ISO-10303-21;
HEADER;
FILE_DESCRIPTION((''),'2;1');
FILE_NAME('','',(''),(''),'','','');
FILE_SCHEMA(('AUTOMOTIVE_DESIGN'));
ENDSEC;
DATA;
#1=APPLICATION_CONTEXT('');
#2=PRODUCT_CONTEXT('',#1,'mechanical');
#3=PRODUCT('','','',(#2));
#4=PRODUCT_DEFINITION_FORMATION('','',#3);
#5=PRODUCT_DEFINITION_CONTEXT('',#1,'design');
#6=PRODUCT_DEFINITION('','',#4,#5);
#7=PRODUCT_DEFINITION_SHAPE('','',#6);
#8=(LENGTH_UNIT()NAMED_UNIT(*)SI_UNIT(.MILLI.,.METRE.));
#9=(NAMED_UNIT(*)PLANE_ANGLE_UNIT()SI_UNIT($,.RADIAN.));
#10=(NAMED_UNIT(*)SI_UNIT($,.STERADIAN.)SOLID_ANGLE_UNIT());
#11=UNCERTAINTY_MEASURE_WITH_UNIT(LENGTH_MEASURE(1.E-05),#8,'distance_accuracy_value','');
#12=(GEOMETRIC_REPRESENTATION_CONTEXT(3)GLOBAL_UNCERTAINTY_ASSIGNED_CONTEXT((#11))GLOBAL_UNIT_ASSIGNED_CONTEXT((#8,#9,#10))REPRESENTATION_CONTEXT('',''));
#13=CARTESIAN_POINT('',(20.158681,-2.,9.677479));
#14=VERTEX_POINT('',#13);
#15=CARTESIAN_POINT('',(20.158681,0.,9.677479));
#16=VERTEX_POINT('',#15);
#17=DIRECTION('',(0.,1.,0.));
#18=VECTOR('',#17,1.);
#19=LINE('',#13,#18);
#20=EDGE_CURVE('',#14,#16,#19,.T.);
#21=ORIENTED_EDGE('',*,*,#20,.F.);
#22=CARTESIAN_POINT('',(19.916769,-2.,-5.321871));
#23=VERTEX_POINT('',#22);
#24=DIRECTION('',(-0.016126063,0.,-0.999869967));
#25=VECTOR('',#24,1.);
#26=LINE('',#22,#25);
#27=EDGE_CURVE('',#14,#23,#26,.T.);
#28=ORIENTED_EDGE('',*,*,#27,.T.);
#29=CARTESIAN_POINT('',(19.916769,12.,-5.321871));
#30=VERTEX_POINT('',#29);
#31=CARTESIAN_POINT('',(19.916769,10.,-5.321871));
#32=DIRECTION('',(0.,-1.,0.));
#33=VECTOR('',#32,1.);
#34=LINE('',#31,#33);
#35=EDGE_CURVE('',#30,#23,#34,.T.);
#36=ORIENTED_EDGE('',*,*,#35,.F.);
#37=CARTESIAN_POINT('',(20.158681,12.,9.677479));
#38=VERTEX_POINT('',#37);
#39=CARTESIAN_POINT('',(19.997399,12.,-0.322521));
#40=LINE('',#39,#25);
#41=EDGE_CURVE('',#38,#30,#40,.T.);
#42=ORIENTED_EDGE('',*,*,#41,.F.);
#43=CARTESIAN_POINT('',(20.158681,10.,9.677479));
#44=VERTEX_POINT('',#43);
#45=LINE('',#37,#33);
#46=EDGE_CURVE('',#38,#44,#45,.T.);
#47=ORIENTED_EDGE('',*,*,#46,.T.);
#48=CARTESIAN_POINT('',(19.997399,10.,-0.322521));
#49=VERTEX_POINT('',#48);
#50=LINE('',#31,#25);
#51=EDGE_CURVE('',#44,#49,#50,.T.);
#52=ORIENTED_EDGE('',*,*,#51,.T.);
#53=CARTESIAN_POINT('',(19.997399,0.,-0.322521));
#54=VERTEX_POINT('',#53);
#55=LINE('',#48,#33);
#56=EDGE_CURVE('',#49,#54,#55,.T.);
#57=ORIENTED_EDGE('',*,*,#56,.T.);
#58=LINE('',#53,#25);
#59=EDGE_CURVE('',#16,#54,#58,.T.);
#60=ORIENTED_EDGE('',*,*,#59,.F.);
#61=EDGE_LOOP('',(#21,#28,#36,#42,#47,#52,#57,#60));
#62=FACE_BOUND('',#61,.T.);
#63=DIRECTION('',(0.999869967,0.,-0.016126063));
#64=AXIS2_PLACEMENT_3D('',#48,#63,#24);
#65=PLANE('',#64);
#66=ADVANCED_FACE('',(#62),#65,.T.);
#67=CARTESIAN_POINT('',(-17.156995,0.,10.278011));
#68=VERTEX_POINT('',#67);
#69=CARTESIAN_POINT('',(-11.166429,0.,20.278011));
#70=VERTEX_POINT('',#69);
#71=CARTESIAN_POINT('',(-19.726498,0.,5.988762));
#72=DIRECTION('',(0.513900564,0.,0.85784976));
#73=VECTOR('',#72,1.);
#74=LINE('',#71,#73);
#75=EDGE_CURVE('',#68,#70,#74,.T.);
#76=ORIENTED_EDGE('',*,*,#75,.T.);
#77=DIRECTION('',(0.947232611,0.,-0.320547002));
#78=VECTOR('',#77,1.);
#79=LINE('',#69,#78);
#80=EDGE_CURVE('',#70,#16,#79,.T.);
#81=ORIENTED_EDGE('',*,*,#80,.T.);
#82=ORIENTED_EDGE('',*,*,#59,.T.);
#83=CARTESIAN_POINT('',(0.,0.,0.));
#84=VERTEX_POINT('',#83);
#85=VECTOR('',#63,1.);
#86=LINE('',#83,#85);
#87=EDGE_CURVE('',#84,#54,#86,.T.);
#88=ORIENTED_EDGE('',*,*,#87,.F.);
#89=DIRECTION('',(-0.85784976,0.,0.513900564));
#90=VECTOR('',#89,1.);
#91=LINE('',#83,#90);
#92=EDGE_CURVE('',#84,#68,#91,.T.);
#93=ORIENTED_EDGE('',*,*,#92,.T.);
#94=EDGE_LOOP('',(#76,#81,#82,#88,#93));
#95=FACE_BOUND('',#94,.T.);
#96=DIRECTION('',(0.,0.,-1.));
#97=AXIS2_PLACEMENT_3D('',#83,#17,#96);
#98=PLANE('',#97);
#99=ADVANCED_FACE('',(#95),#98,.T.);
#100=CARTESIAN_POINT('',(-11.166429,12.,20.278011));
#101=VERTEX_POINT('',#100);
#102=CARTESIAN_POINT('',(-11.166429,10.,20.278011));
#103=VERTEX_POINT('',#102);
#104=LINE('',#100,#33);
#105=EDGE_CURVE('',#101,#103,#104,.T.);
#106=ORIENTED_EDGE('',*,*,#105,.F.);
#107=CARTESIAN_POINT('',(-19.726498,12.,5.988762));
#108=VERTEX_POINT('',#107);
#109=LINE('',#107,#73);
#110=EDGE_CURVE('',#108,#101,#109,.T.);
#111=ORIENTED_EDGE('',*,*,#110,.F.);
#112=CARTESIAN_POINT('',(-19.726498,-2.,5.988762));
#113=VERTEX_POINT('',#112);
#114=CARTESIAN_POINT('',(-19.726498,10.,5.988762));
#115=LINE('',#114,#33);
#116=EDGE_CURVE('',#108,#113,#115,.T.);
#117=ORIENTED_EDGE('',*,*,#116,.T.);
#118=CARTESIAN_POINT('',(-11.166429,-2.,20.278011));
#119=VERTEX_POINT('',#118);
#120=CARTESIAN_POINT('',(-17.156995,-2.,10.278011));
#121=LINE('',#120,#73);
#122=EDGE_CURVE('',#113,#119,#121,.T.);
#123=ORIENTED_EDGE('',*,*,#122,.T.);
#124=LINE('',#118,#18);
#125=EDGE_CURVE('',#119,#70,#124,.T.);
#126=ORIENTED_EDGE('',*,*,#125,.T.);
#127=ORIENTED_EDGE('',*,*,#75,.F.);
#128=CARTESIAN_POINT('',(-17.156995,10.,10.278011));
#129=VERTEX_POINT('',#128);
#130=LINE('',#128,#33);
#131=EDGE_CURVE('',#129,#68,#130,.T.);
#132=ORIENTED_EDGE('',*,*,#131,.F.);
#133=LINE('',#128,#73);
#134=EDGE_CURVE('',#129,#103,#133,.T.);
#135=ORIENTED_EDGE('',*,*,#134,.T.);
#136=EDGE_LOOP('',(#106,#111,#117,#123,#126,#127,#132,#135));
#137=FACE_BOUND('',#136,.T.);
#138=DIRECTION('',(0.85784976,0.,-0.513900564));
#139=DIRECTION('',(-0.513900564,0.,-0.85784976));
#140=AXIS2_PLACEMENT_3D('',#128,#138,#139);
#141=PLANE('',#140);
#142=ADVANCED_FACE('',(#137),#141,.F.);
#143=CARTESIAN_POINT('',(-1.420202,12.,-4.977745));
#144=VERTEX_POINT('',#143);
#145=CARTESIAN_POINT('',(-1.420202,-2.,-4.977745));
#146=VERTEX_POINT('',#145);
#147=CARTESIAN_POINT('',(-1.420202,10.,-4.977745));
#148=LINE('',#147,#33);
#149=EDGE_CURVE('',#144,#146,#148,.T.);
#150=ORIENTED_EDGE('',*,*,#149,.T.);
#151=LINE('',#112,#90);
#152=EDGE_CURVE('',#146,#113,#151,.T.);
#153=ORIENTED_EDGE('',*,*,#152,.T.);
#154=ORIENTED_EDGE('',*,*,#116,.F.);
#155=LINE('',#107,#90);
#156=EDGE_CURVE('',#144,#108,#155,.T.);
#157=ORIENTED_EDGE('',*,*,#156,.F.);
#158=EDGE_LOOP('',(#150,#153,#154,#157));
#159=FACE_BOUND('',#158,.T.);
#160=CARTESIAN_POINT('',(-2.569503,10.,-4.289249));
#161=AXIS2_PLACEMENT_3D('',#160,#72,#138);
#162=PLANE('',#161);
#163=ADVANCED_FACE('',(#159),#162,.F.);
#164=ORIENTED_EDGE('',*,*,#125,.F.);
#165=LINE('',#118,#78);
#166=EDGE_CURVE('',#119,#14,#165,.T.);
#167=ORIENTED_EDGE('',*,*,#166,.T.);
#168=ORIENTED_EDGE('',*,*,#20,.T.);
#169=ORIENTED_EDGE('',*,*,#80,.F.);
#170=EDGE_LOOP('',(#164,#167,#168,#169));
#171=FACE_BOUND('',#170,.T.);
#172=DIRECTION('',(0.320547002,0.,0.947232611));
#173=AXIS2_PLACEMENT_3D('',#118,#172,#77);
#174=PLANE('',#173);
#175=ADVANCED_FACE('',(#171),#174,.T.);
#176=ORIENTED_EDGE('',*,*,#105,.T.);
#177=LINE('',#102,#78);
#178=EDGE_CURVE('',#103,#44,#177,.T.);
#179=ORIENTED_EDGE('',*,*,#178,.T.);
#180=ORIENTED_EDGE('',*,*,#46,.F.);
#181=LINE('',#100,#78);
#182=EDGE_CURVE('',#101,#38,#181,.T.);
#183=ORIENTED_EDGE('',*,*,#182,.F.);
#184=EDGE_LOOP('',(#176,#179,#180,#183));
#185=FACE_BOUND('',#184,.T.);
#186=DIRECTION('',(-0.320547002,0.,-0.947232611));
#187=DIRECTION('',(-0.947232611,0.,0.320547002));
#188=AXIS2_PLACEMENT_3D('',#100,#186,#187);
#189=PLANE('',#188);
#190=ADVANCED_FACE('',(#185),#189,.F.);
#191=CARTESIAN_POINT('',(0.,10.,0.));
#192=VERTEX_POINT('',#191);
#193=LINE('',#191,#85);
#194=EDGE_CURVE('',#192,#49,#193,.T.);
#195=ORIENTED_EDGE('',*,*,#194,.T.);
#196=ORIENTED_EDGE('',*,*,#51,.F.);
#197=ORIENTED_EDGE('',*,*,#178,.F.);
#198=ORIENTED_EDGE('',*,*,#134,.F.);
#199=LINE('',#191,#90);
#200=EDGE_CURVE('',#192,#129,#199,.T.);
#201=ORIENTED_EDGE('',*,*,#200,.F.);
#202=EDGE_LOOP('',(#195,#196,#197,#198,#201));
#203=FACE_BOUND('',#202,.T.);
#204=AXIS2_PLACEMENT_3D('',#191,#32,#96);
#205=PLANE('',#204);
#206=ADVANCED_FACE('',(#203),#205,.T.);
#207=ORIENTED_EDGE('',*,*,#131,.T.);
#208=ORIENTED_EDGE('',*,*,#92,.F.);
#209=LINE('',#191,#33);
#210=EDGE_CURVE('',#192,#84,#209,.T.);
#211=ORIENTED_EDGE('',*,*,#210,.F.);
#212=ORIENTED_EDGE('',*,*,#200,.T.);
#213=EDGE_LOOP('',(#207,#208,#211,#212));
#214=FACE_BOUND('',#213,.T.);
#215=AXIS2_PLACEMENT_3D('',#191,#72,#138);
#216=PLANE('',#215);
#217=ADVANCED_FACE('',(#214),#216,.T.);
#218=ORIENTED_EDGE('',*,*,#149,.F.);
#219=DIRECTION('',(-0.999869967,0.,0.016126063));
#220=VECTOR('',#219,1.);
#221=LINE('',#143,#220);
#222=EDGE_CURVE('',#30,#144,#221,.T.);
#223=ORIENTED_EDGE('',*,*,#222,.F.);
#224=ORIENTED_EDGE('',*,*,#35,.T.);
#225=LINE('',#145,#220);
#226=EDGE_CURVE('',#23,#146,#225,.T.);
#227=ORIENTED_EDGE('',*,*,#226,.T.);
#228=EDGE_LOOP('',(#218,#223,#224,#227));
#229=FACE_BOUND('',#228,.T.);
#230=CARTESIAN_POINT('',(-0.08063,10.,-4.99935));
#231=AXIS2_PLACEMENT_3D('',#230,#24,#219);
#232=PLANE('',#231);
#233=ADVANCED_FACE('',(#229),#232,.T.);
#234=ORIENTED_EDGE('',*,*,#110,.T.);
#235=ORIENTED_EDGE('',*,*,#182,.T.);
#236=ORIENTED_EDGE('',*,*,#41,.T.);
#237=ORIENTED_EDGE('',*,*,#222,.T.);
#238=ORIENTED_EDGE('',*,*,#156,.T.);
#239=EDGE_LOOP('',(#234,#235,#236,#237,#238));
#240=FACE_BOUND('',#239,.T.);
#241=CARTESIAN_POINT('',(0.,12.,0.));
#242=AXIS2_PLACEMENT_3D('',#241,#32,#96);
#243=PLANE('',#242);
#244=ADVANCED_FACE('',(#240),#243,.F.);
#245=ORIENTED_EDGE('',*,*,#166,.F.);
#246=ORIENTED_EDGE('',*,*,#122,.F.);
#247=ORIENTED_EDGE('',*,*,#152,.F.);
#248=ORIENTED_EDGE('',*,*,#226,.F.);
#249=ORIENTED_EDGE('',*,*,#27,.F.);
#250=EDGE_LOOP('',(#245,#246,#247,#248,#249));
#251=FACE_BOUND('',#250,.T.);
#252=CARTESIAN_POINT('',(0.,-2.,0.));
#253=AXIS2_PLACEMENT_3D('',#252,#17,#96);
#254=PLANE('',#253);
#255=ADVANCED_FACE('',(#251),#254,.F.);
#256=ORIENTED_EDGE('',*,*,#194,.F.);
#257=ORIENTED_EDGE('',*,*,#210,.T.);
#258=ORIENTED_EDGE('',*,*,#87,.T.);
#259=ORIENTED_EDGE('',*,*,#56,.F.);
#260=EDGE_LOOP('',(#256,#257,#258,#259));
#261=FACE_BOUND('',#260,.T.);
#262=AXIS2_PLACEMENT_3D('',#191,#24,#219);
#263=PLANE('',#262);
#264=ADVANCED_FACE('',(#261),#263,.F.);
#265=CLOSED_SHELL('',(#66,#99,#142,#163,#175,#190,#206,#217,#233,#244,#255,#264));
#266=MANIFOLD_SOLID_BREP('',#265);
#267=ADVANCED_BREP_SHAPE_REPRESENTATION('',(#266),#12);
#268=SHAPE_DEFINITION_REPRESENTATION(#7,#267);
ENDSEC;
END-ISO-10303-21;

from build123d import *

# Parameters (mm, degrees)
BOSS_EXTRUDE1_DEPTH = 10
BOSS_EXTRUDE2_DEPTH = 2


with BuildPart() as part:
    # Sketch3 → Boss-Extrude1 (new body)
    with BuildSketch(Plane(origin=(0, 0, 0), x_dir=(1, 0, 0), z_dir=(0, 1, 0))):
        Polygon((19.916769016, 5.321871098), (19.997399332, 0.322521265), (0, 0), (-17.156995198, -10.278011275), (-19.726498017, -5.988762475), (-1.420202067, 4.977745005), align=None)
    extrude(amount=BOSS_EXTRUDE1_DEPTH)

    # Sketch4 → Boss-Extrude2 (add)
    with BuildSketch(Plane(origin=(0, 10, 0), x_dir=(1, 0, 0), z_dir=(0, 1, 0))):
        Polygon((-19.726498017, -5.988762475), (-17.156995198, -10.278011275), (-11.166429161, -20.278011275), (20.158680936, -9.677478735), (19.997399332, 0.322521265), (19.916769016, 5.321871098), (-1.420202067, 4.977745005), align=None)
    boss_extrude2 = extrude(amount=BOSS_EXTRUDE2_DEPTH)

    # Mirror1: Boss-Extrude2 across plane
    add(boss_extrude2.mirror(Plane.ZX.offset(5)))


solid = part.part
